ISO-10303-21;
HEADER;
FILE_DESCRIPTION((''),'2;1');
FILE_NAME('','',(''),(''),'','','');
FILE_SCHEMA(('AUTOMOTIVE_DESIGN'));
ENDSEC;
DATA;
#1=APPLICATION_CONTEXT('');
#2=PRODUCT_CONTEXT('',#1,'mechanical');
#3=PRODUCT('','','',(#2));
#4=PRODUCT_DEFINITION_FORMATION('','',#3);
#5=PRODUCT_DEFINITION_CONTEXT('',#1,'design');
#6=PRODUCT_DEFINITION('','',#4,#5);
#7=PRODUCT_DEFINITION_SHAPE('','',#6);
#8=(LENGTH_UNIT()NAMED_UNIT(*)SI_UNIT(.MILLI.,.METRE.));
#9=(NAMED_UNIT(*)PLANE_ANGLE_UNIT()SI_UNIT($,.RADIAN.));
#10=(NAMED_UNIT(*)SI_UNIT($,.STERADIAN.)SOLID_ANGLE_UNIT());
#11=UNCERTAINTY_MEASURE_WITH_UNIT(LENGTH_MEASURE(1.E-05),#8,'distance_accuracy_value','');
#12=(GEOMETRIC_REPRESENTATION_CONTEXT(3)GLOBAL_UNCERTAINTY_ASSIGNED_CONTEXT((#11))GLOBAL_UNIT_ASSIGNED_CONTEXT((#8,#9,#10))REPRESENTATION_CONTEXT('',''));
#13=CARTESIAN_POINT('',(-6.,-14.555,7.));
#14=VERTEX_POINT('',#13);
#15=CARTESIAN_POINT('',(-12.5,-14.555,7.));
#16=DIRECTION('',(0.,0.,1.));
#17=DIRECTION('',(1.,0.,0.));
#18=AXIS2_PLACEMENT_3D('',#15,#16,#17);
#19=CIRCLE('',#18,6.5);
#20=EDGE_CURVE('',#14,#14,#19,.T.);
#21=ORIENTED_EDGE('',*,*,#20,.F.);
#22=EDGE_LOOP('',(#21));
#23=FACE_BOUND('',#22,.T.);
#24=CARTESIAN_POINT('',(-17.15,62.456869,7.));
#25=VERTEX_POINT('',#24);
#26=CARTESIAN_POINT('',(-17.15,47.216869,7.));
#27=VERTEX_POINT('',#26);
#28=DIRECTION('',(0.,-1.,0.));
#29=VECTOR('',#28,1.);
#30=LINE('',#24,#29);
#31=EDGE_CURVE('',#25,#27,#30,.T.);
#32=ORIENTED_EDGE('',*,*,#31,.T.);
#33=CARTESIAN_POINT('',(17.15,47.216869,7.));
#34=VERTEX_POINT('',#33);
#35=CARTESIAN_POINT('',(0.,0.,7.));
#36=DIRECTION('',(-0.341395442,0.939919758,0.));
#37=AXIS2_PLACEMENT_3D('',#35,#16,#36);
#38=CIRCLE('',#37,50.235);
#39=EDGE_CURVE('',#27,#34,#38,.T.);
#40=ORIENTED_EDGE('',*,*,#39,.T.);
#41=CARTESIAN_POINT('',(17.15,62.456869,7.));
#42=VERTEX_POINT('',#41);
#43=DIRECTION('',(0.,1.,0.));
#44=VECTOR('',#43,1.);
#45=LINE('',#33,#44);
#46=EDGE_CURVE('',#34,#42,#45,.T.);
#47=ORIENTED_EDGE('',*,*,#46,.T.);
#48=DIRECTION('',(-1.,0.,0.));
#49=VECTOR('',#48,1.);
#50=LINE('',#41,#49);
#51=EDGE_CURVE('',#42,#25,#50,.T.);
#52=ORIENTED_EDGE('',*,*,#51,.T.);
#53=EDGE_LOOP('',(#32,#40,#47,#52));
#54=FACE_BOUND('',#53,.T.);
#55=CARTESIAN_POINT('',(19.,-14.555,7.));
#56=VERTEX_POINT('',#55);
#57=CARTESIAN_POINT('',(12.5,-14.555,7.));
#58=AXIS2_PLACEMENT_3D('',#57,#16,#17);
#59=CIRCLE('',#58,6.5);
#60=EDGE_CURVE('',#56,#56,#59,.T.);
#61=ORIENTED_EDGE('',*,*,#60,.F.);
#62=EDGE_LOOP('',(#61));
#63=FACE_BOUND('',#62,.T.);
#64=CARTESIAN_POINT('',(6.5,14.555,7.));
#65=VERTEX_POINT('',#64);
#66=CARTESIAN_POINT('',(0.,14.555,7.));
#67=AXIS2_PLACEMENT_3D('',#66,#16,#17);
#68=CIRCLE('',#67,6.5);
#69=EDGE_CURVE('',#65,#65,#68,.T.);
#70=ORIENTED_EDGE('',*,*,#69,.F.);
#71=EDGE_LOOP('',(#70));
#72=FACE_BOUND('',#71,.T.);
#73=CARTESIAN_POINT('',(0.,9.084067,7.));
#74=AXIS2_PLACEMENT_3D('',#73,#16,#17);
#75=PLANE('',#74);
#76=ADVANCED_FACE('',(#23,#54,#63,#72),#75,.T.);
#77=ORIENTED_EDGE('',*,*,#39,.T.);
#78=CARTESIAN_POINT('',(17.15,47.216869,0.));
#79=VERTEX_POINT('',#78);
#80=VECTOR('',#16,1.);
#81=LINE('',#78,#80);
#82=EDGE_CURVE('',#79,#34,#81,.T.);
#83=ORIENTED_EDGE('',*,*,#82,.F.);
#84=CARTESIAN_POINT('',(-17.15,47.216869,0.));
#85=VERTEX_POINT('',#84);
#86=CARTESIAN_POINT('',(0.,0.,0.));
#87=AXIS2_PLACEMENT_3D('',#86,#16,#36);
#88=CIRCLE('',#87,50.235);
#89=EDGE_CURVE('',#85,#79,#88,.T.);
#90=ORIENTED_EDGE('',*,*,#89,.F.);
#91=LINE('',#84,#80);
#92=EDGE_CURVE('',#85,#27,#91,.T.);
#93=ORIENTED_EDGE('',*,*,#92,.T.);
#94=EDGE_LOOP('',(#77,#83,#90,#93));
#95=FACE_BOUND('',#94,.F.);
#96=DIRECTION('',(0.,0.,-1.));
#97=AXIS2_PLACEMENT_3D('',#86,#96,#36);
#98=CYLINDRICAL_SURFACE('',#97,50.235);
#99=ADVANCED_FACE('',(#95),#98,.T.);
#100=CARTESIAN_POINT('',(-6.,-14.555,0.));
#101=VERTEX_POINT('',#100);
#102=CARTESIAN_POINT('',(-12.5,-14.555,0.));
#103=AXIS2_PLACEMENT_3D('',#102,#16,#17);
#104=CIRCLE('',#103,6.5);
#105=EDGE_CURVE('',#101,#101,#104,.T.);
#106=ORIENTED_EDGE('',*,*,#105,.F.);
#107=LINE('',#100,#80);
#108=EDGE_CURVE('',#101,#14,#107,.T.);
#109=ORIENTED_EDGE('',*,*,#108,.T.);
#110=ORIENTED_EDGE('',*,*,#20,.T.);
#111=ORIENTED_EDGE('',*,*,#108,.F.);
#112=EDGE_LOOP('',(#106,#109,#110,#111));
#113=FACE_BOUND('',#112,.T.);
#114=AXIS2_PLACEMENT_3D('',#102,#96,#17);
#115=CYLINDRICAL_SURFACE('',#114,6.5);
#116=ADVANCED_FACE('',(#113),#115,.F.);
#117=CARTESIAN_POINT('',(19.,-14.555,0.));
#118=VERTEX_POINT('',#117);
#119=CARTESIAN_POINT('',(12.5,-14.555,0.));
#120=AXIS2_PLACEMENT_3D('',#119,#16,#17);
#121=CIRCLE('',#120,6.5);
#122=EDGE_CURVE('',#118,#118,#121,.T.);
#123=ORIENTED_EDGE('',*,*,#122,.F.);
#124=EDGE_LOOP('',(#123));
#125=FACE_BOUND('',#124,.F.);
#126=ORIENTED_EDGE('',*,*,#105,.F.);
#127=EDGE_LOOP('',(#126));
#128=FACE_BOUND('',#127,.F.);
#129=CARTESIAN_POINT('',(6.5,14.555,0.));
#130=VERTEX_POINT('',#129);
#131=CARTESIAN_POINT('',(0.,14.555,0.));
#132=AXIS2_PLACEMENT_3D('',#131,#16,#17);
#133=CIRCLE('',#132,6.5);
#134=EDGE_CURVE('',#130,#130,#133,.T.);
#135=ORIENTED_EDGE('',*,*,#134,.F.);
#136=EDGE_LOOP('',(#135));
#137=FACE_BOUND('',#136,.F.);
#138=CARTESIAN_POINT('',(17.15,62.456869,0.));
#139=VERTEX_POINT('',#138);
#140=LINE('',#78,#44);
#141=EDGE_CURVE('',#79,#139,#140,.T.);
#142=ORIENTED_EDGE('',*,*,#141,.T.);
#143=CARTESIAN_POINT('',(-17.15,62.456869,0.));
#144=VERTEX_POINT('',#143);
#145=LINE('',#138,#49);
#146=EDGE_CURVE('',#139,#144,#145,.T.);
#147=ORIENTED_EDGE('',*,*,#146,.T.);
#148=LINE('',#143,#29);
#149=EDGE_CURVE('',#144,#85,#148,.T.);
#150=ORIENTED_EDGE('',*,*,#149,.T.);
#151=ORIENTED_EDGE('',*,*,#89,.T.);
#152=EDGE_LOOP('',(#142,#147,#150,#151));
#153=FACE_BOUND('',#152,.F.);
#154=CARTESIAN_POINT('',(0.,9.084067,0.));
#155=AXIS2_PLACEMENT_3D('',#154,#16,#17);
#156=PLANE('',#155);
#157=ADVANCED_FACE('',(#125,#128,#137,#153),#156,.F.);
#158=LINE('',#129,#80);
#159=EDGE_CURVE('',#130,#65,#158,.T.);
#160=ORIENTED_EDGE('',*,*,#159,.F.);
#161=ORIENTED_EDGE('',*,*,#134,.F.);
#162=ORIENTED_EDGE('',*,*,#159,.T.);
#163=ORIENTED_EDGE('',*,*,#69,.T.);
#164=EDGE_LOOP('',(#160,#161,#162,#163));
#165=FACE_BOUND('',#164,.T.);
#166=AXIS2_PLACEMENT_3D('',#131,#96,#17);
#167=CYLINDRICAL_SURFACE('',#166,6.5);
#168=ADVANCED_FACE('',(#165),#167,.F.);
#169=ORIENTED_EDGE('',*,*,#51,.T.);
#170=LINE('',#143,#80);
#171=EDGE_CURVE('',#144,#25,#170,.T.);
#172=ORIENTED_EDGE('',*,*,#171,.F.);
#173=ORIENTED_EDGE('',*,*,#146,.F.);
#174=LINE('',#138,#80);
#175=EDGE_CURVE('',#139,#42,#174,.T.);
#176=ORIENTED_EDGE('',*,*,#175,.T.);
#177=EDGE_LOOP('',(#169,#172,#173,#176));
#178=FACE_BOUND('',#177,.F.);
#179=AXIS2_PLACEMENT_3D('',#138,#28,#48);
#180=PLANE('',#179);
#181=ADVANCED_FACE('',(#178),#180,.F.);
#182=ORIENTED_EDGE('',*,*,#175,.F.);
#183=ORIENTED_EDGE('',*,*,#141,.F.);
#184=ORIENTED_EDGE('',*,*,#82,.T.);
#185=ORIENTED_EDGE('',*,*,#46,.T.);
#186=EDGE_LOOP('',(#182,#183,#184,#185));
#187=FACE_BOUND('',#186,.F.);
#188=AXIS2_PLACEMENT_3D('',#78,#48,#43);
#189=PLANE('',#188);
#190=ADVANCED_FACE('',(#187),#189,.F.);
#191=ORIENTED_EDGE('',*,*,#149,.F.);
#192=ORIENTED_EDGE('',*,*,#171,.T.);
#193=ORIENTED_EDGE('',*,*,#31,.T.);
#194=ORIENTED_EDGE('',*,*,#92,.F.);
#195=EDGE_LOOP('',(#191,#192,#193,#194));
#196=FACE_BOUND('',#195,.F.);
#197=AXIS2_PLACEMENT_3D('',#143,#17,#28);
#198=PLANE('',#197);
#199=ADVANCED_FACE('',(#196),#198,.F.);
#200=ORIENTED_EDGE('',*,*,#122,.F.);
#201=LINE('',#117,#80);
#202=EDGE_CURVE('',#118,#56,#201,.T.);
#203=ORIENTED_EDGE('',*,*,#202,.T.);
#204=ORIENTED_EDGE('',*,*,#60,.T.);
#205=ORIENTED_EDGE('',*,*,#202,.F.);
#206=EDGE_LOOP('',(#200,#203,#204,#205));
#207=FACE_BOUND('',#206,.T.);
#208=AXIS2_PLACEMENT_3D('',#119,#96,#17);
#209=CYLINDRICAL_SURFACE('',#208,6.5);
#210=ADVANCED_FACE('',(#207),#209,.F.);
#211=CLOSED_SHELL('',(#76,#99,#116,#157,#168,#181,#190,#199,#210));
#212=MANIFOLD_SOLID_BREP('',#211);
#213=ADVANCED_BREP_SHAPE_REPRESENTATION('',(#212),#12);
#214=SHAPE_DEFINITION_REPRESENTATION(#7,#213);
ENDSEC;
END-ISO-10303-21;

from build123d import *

# Parameters (mm, degrees)
F0_R     = 6.5
F1_DEPTH = 7


with BuildPart() as f1:
    # F0 (on Top) → F1 (new body)
    with BuildSketch(Plane.XY):
        with BuildLine():
            Line((-17.15, 62.456869), (-17.15, 47.216869))
            ThreePointArc((-17.15, 47.216869), (0, -50.235), (17.15, 47.216869))
            Line((17.15, 47.216869), (17.15, 62.456869))
            Line((17.15, 62.456869), (0, 62.456869))
            Line((0, 62.456869), (-17.15, 62.456869))
        make_face()
        with Locations((-12.5, -14.555)):
            Circle(F0_R, mode=Mode.SUBTRACT)
        with Locations((12.5, -14.555)):
            Circle(F0_R, mode=Mode.SUBTRACT)
        with Locations((0, 14.555)):
            Circle(F0_R, mode=Mode.SUBTRACT)
    extrude(amount=F1_DEPTH)


solid = f1.part
